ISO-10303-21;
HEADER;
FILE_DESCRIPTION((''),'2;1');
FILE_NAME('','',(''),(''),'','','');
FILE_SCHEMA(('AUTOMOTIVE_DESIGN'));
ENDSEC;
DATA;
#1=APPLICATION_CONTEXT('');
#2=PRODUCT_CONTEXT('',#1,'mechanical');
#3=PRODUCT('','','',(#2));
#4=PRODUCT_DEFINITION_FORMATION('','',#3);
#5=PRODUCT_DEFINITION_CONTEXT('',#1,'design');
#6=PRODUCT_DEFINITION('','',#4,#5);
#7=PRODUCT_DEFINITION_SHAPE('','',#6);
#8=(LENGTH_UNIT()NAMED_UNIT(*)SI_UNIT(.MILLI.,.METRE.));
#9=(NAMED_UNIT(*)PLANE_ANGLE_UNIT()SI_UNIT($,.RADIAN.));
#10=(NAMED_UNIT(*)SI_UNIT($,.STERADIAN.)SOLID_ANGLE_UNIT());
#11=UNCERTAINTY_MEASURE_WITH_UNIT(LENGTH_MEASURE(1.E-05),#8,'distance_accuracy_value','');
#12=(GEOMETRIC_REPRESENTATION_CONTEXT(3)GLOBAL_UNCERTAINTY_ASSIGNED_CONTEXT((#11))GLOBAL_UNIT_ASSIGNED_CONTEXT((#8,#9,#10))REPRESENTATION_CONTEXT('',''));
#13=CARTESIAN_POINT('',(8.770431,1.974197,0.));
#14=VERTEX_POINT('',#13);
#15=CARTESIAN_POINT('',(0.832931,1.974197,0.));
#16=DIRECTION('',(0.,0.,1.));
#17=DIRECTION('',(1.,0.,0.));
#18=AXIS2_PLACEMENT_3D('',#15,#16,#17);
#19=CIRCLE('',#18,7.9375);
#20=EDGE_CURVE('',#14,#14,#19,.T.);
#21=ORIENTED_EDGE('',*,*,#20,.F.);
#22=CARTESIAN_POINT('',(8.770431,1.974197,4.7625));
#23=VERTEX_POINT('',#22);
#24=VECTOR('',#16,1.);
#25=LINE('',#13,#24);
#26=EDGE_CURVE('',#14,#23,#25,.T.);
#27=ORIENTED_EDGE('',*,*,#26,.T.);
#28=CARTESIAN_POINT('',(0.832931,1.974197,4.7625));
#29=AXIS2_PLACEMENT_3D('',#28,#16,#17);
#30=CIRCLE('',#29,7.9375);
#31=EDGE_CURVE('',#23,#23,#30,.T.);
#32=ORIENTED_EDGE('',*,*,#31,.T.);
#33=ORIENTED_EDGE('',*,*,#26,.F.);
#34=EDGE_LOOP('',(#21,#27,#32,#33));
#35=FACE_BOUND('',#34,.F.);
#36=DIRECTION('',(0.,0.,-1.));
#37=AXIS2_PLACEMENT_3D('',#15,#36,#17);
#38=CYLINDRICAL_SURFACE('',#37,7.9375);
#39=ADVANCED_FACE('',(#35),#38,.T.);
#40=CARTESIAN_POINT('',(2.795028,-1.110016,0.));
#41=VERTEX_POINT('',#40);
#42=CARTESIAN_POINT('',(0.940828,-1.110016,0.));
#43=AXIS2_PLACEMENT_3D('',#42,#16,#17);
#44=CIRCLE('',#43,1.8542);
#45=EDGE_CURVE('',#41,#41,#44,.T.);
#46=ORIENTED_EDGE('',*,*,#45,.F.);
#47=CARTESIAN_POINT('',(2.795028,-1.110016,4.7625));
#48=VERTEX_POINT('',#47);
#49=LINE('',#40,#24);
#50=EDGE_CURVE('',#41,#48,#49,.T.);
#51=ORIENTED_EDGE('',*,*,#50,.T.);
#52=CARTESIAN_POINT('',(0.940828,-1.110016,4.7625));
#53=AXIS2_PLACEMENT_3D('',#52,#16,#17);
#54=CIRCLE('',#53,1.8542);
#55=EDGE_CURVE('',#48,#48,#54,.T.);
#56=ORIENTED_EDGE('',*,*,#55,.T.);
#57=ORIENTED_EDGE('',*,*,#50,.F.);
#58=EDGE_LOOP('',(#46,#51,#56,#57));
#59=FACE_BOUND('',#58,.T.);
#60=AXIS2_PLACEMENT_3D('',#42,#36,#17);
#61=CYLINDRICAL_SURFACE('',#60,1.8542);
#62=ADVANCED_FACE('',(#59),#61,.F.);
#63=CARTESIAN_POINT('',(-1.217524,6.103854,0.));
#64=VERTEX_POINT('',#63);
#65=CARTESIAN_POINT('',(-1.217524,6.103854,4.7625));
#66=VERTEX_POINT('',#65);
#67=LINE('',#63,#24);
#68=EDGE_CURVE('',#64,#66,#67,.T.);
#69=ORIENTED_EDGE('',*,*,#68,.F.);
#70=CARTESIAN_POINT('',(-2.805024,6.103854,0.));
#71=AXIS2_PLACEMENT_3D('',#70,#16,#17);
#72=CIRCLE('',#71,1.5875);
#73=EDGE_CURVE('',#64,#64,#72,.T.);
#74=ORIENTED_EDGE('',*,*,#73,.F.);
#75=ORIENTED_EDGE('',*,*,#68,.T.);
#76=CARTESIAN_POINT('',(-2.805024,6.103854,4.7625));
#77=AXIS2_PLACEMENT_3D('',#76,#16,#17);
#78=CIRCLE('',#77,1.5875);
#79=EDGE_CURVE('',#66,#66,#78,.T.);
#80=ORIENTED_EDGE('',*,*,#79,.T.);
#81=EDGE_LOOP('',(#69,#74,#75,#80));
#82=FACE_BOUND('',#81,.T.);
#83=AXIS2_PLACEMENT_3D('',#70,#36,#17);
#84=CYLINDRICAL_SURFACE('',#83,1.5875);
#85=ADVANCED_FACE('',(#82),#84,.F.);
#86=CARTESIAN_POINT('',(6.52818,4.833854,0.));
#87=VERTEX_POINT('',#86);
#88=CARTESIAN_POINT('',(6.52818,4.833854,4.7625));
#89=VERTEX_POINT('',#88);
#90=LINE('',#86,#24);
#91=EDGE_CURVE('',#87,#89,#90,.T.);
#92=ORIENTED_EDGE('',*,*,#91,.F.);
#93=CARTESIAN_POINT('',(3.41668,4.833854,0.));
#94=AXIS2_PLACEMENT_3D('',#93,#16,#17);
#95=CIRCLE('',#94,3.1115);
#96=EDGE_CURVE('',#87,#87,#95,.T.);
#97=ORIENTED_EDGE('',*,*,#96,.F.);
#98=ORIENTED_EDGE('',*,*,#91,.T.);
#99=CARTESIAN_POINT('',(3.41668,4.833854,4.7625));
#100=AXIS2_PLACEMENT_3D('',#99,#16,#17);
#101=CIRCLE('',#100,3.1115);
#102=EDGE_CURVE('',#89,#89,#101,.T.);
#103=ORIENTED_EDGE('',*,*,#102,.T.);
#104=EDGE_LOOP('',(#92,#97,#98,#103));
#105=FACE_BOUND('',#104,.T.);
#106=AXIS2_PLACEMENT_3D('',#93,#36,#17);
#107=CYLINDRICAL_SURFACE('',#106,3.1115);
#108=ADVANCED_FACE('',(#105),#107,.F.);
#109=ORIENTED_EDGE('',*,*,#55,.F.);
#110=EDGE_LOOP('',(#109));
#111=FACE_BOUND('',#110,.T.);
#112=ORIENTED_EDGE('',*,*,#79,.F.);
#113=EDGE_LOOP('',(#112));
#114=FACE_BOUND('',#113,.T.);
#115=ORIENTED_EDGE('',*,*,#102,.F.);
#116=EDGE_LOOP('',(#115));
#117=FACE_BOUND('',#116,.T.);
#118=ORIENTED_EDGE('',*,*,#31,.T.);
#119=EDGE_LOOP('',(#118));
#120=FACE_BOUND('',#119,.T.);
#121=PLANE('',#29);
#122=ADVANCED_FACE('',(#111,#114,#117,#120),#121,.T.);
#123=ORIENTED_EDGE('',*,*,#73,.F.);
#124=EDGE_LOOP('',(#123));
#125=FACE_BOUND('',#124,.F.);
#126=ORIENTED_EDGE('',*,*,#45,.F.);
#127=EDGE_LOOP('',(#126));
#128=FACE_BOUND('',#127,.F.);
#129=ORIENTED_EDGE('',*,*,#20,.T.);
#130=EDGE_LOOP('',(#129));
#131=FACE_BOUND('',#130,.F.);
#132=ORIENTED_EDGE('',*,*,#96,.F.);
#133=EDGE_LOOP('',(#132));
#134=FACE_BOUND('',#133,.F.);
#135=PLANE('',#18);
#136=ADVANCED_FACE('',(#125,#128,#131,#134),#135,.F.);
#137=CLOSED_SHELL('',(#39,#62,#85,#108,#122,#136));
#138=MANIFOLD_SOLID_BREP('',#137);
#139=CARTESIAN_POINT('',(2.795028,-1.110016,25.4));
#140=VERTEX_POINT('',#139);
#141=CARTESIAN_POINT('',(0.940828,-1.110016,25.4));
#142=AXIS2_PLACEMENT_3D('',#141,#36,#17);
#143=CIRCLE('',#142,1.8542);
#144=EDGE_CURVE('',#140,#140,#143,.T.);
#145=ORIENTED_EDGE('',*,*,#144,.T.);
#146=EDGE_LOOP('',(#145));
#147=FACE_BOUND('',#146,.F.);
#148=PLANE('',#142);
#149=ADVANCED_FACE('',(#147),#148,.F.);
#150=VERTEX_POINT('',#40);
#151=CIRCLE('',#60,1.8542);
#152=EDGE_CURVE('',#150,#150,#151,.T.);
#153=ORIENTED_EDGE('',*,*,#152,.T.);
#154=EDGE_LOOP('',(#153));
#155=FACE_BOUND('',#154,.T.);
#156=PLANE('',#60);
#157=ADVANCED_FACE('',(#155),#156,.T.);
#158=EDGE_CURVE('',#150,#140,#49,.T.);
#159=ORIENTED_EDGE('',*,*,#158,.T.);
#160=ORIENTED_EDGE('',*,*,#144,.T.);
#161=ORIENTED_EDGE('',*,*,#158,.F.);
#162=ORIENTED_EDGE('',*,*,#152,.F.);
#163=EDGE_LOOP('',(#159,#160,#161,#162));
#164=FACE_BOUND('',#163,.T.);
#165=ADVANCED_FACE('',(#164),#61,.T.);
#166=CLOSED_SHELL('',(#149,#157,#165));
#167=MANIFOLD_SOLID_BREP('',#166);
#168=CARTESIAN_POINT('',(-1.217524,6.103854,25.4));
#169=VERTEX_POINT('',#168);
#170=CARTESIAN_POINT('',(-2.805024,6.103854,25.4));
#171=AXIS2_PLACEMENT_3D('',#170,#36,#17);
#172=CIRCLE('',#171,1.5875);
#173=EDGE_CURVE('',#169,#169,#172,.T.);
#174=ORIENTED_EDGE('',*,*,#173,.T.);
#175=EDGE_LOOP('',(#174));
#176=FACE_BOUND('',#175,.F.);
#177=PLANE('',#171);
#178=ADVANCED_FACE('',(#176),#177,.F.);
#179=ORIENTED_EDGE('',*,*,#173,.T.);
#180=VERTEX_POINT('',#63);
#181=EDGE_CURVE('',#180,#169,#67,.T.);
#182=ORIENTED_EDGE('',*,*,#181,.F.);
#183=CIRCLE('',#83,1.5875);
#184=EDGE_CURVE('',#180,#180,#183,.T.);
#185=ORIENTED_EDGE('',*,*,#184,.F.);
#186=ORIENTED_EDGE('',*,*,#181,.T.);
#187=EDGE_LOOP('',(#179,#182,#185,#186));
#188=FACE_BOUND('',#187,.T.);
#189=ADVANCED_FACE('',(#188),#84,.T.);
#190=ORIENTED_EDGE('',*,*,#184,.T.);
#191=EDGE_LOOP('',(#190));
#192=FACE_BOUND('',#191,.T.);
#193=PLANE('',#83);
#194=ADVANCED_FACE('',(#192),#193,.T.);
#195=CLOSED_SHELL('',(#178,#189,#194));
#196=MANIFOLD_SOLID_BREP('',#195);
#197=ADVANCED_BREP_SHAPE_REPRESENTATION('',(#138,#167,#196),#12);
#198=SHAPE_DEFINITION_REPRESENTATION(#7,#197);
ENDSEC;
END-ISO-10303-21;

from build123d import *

# Parameters (mm, degrees)
F1_R     = 7.9375
F1_R_2   = 1.8542
F1_R_3   = 1.5875
F1_R_4   = 3.1115
F2_DEPTH = 4.7625
F3_R     = 1.5875
F3_R_2   = 1.8542
F4_DEPTH = 25.4


with BuildPart() as f2:
    # F1 (on Top) → F2 (new body)
    with BuildSketch(Plane.XY):
        with Locations((0.832931, 1.974197)):
            Circle(F1_R)
        with Locations((0.940828, -1.110016)):
            Circle(F1_R_2, mode=Mode.SUBTRACT)
        with Locations((-2.805024, 6.103854)):
            Circle(F1_R_3, mode=Mode.SUBTRACT)
        with Locations((3.41668, 4.833854)):
            Circle(F1_R_4, mode=Mode.SUBTRACT)
    extrude(amount=F2_DEPTH)


with BuildPart() as f4:
    # F3 (on face) → F4 (new body)
    with BuildSketch(Plane(origin=(0, 0, 0), x_dir=(1, 0, 0), z_dir=(0, 0, -1))):
        with Locations((-2.805024, -6.103854)):
            Circle(F3_R)
        with Locations((0.940828, 1.110016)):
            Circle(F3_R_2)
    extrude(amount=-F4_DEPTH)


solid = Compound([f2.part, f4.part])
